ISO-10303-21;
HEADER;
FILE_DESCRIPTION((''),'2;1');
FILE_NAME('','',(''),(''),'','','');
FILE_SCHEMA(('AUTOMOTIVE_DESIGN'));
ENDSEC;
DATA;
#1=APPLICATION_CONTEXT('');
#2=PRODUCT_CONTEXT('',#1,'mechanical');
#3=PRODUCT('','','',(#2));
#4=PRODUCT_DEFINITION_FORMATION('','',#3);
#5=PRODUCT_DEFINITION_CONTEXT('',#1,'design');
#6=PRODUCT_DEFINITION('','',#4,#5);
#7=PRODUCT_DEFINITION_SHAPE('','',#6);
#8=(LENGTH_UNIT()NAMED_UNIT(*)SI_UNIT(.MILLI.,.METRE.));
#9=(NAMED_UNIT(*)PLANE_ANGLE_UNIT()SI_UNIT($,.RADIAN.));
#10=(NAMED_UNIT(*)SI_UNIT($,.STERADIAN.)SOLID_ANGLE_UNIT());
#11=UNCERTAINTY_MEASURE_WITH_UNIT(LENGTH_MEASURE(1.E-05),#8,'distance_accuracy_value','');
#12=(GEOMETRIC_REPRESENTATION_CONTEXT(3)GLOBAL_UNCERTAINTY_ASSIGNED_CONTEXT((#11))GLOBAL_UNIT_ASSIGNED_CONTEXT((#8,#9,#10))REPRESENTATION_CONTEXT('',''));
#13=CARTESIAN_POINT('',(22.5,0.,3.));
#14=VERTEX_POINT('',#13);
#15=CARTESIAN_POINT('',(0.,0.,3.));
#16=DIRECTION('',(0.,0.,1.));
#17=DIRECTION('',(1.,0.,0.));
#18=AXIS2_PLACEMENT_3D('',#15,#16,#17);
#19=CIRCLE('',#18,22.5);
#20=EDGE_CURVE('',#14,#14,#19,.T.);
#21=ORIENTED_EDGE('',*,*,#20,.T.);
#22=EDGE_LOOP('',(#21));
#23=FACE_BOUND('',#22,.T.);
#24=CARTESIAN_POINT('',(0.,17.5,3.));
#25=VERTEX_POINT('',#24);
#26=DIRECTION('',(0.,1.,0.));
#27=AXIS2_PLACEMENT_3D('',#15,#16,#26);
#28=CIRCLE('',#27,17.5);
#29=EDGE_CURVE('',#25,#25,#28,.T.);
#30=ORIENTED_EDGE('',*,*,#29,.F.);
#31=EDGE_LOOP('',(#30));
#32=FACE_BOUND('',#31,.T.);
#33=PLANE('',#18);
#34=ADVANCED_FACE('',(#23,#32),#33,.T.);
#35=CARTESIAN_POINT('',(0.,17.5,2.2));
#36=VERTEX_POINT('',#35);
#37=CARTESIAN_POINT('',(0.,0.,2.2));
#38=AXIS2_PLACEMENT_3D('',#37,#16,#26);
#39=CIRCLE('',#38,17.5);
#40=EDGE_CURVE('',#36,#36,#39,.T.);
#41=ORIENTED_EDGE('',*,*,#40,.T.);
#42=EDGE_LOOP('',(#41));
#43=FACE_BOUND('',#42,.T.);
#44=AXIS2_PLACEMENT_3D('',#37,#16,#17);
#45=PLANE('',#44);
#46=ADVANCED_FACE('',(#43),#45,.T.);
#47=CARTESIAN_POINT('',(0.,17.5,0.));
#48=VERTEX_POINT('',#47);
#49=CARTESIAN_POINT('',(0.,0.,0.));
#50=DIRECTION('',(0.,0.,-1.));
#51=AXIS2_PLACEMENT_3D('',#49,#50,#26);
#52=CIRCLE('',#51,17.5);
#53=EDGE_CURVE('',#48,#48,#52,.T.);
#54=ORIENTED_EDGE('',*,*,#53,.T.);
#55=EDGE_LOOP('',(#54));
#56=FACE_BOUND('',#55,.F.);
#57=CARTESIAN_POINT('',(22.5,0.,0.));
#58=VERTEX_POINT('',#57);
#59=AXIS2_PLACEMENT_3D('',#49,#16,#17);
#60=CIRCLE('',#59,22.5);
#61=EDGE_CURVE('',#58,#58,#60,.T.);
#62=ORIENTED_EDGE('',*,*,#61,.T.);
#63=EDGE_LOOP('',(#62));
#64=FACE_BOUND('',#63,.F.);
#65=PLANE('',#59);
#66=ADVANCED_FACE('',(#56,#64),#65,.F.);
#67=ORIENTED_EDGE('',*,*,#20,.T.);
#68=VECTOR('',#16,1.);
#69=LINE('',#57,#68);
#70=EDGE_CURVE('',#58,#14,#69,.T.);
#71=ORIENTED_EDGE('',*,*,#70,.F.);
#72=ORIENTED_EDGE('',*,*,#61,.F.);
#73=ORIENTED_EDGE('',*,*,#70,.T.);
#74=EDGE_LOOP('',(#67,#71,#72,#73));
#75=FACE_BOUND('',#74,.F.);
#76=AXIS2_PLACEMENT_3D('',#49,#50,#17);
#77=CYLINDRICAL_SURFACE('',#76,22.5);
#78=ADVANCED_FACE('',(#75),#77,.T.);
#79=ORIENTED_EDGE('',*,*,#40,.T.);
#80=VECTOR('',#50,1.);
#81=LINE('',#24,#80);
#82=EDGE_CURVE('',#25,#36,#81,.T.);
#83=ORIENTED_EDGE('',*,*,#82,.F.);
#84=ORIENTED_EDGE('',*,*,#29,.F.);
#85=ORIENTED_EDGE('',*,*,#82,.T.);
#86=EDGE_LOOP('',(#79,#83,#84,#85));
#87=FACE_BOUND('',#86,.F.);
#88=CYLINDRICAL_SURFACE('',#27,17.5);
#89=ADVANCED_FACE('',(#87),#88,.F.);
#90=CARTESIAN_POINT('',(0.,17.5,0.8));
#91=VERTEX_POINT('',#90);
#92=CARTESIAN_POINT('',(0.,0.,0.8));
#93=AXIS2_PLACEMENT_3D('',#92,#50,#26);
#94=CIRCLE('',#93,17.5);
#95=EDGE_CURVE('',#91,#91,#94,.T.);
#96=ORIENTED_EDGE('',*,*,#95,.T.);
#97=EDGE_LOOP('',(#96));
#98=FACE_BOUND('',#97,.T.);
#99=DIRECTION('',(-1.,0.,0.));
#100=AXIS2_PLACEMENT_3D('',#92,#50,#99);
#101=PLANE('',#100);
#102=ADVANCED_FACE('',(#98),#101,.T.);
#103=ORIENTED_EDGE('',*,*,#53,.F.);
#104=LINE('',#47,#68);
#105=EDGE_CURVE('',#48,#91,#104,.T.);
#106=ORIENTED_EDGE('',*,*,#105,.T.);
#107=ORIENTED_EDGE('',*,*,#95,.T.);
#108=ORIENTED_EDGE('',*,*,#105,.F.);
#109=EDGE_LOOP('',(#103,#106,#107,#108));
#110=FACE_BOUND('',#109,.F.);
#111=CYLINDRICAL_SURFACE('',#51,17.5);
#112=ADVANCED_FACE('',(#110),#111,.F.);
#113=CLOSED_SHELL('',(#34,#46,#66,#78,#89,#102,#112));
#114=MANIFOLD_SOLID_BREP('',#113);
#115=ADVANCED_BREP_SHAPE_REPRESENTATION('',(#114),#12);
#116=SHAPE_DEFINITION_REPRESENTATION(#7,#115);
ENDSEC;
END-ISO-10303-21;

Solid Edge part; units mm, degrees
sketch "Sketch1" plane through (0, 0, 0) normal (0, 0, 1) x (1, 0, 0)
  circle A0 centre (0, 0) radius 22.5
extrude "Protrusion1" add sketch "Sketch1" along normal blind 3
sketch "Sketch2" plane through (0, 0, 0) normal (0, 0, -1) x (0, 1, 0)
  circle A0 centre (0, 0) radius 17.5
extrude "ExtrudedCutout_1" cut sketch "Sketch2" against normal blind 0.8
sketch "Sketch3" plane through (0, 0, 3) normal (0, 0, 1) x (0, 1, 0)
  circle A0 centre (0, 0) radius 17.5
extrude "ExtrudedCutout_2" cut sketch "Sketch3" against normal blind 0.8
